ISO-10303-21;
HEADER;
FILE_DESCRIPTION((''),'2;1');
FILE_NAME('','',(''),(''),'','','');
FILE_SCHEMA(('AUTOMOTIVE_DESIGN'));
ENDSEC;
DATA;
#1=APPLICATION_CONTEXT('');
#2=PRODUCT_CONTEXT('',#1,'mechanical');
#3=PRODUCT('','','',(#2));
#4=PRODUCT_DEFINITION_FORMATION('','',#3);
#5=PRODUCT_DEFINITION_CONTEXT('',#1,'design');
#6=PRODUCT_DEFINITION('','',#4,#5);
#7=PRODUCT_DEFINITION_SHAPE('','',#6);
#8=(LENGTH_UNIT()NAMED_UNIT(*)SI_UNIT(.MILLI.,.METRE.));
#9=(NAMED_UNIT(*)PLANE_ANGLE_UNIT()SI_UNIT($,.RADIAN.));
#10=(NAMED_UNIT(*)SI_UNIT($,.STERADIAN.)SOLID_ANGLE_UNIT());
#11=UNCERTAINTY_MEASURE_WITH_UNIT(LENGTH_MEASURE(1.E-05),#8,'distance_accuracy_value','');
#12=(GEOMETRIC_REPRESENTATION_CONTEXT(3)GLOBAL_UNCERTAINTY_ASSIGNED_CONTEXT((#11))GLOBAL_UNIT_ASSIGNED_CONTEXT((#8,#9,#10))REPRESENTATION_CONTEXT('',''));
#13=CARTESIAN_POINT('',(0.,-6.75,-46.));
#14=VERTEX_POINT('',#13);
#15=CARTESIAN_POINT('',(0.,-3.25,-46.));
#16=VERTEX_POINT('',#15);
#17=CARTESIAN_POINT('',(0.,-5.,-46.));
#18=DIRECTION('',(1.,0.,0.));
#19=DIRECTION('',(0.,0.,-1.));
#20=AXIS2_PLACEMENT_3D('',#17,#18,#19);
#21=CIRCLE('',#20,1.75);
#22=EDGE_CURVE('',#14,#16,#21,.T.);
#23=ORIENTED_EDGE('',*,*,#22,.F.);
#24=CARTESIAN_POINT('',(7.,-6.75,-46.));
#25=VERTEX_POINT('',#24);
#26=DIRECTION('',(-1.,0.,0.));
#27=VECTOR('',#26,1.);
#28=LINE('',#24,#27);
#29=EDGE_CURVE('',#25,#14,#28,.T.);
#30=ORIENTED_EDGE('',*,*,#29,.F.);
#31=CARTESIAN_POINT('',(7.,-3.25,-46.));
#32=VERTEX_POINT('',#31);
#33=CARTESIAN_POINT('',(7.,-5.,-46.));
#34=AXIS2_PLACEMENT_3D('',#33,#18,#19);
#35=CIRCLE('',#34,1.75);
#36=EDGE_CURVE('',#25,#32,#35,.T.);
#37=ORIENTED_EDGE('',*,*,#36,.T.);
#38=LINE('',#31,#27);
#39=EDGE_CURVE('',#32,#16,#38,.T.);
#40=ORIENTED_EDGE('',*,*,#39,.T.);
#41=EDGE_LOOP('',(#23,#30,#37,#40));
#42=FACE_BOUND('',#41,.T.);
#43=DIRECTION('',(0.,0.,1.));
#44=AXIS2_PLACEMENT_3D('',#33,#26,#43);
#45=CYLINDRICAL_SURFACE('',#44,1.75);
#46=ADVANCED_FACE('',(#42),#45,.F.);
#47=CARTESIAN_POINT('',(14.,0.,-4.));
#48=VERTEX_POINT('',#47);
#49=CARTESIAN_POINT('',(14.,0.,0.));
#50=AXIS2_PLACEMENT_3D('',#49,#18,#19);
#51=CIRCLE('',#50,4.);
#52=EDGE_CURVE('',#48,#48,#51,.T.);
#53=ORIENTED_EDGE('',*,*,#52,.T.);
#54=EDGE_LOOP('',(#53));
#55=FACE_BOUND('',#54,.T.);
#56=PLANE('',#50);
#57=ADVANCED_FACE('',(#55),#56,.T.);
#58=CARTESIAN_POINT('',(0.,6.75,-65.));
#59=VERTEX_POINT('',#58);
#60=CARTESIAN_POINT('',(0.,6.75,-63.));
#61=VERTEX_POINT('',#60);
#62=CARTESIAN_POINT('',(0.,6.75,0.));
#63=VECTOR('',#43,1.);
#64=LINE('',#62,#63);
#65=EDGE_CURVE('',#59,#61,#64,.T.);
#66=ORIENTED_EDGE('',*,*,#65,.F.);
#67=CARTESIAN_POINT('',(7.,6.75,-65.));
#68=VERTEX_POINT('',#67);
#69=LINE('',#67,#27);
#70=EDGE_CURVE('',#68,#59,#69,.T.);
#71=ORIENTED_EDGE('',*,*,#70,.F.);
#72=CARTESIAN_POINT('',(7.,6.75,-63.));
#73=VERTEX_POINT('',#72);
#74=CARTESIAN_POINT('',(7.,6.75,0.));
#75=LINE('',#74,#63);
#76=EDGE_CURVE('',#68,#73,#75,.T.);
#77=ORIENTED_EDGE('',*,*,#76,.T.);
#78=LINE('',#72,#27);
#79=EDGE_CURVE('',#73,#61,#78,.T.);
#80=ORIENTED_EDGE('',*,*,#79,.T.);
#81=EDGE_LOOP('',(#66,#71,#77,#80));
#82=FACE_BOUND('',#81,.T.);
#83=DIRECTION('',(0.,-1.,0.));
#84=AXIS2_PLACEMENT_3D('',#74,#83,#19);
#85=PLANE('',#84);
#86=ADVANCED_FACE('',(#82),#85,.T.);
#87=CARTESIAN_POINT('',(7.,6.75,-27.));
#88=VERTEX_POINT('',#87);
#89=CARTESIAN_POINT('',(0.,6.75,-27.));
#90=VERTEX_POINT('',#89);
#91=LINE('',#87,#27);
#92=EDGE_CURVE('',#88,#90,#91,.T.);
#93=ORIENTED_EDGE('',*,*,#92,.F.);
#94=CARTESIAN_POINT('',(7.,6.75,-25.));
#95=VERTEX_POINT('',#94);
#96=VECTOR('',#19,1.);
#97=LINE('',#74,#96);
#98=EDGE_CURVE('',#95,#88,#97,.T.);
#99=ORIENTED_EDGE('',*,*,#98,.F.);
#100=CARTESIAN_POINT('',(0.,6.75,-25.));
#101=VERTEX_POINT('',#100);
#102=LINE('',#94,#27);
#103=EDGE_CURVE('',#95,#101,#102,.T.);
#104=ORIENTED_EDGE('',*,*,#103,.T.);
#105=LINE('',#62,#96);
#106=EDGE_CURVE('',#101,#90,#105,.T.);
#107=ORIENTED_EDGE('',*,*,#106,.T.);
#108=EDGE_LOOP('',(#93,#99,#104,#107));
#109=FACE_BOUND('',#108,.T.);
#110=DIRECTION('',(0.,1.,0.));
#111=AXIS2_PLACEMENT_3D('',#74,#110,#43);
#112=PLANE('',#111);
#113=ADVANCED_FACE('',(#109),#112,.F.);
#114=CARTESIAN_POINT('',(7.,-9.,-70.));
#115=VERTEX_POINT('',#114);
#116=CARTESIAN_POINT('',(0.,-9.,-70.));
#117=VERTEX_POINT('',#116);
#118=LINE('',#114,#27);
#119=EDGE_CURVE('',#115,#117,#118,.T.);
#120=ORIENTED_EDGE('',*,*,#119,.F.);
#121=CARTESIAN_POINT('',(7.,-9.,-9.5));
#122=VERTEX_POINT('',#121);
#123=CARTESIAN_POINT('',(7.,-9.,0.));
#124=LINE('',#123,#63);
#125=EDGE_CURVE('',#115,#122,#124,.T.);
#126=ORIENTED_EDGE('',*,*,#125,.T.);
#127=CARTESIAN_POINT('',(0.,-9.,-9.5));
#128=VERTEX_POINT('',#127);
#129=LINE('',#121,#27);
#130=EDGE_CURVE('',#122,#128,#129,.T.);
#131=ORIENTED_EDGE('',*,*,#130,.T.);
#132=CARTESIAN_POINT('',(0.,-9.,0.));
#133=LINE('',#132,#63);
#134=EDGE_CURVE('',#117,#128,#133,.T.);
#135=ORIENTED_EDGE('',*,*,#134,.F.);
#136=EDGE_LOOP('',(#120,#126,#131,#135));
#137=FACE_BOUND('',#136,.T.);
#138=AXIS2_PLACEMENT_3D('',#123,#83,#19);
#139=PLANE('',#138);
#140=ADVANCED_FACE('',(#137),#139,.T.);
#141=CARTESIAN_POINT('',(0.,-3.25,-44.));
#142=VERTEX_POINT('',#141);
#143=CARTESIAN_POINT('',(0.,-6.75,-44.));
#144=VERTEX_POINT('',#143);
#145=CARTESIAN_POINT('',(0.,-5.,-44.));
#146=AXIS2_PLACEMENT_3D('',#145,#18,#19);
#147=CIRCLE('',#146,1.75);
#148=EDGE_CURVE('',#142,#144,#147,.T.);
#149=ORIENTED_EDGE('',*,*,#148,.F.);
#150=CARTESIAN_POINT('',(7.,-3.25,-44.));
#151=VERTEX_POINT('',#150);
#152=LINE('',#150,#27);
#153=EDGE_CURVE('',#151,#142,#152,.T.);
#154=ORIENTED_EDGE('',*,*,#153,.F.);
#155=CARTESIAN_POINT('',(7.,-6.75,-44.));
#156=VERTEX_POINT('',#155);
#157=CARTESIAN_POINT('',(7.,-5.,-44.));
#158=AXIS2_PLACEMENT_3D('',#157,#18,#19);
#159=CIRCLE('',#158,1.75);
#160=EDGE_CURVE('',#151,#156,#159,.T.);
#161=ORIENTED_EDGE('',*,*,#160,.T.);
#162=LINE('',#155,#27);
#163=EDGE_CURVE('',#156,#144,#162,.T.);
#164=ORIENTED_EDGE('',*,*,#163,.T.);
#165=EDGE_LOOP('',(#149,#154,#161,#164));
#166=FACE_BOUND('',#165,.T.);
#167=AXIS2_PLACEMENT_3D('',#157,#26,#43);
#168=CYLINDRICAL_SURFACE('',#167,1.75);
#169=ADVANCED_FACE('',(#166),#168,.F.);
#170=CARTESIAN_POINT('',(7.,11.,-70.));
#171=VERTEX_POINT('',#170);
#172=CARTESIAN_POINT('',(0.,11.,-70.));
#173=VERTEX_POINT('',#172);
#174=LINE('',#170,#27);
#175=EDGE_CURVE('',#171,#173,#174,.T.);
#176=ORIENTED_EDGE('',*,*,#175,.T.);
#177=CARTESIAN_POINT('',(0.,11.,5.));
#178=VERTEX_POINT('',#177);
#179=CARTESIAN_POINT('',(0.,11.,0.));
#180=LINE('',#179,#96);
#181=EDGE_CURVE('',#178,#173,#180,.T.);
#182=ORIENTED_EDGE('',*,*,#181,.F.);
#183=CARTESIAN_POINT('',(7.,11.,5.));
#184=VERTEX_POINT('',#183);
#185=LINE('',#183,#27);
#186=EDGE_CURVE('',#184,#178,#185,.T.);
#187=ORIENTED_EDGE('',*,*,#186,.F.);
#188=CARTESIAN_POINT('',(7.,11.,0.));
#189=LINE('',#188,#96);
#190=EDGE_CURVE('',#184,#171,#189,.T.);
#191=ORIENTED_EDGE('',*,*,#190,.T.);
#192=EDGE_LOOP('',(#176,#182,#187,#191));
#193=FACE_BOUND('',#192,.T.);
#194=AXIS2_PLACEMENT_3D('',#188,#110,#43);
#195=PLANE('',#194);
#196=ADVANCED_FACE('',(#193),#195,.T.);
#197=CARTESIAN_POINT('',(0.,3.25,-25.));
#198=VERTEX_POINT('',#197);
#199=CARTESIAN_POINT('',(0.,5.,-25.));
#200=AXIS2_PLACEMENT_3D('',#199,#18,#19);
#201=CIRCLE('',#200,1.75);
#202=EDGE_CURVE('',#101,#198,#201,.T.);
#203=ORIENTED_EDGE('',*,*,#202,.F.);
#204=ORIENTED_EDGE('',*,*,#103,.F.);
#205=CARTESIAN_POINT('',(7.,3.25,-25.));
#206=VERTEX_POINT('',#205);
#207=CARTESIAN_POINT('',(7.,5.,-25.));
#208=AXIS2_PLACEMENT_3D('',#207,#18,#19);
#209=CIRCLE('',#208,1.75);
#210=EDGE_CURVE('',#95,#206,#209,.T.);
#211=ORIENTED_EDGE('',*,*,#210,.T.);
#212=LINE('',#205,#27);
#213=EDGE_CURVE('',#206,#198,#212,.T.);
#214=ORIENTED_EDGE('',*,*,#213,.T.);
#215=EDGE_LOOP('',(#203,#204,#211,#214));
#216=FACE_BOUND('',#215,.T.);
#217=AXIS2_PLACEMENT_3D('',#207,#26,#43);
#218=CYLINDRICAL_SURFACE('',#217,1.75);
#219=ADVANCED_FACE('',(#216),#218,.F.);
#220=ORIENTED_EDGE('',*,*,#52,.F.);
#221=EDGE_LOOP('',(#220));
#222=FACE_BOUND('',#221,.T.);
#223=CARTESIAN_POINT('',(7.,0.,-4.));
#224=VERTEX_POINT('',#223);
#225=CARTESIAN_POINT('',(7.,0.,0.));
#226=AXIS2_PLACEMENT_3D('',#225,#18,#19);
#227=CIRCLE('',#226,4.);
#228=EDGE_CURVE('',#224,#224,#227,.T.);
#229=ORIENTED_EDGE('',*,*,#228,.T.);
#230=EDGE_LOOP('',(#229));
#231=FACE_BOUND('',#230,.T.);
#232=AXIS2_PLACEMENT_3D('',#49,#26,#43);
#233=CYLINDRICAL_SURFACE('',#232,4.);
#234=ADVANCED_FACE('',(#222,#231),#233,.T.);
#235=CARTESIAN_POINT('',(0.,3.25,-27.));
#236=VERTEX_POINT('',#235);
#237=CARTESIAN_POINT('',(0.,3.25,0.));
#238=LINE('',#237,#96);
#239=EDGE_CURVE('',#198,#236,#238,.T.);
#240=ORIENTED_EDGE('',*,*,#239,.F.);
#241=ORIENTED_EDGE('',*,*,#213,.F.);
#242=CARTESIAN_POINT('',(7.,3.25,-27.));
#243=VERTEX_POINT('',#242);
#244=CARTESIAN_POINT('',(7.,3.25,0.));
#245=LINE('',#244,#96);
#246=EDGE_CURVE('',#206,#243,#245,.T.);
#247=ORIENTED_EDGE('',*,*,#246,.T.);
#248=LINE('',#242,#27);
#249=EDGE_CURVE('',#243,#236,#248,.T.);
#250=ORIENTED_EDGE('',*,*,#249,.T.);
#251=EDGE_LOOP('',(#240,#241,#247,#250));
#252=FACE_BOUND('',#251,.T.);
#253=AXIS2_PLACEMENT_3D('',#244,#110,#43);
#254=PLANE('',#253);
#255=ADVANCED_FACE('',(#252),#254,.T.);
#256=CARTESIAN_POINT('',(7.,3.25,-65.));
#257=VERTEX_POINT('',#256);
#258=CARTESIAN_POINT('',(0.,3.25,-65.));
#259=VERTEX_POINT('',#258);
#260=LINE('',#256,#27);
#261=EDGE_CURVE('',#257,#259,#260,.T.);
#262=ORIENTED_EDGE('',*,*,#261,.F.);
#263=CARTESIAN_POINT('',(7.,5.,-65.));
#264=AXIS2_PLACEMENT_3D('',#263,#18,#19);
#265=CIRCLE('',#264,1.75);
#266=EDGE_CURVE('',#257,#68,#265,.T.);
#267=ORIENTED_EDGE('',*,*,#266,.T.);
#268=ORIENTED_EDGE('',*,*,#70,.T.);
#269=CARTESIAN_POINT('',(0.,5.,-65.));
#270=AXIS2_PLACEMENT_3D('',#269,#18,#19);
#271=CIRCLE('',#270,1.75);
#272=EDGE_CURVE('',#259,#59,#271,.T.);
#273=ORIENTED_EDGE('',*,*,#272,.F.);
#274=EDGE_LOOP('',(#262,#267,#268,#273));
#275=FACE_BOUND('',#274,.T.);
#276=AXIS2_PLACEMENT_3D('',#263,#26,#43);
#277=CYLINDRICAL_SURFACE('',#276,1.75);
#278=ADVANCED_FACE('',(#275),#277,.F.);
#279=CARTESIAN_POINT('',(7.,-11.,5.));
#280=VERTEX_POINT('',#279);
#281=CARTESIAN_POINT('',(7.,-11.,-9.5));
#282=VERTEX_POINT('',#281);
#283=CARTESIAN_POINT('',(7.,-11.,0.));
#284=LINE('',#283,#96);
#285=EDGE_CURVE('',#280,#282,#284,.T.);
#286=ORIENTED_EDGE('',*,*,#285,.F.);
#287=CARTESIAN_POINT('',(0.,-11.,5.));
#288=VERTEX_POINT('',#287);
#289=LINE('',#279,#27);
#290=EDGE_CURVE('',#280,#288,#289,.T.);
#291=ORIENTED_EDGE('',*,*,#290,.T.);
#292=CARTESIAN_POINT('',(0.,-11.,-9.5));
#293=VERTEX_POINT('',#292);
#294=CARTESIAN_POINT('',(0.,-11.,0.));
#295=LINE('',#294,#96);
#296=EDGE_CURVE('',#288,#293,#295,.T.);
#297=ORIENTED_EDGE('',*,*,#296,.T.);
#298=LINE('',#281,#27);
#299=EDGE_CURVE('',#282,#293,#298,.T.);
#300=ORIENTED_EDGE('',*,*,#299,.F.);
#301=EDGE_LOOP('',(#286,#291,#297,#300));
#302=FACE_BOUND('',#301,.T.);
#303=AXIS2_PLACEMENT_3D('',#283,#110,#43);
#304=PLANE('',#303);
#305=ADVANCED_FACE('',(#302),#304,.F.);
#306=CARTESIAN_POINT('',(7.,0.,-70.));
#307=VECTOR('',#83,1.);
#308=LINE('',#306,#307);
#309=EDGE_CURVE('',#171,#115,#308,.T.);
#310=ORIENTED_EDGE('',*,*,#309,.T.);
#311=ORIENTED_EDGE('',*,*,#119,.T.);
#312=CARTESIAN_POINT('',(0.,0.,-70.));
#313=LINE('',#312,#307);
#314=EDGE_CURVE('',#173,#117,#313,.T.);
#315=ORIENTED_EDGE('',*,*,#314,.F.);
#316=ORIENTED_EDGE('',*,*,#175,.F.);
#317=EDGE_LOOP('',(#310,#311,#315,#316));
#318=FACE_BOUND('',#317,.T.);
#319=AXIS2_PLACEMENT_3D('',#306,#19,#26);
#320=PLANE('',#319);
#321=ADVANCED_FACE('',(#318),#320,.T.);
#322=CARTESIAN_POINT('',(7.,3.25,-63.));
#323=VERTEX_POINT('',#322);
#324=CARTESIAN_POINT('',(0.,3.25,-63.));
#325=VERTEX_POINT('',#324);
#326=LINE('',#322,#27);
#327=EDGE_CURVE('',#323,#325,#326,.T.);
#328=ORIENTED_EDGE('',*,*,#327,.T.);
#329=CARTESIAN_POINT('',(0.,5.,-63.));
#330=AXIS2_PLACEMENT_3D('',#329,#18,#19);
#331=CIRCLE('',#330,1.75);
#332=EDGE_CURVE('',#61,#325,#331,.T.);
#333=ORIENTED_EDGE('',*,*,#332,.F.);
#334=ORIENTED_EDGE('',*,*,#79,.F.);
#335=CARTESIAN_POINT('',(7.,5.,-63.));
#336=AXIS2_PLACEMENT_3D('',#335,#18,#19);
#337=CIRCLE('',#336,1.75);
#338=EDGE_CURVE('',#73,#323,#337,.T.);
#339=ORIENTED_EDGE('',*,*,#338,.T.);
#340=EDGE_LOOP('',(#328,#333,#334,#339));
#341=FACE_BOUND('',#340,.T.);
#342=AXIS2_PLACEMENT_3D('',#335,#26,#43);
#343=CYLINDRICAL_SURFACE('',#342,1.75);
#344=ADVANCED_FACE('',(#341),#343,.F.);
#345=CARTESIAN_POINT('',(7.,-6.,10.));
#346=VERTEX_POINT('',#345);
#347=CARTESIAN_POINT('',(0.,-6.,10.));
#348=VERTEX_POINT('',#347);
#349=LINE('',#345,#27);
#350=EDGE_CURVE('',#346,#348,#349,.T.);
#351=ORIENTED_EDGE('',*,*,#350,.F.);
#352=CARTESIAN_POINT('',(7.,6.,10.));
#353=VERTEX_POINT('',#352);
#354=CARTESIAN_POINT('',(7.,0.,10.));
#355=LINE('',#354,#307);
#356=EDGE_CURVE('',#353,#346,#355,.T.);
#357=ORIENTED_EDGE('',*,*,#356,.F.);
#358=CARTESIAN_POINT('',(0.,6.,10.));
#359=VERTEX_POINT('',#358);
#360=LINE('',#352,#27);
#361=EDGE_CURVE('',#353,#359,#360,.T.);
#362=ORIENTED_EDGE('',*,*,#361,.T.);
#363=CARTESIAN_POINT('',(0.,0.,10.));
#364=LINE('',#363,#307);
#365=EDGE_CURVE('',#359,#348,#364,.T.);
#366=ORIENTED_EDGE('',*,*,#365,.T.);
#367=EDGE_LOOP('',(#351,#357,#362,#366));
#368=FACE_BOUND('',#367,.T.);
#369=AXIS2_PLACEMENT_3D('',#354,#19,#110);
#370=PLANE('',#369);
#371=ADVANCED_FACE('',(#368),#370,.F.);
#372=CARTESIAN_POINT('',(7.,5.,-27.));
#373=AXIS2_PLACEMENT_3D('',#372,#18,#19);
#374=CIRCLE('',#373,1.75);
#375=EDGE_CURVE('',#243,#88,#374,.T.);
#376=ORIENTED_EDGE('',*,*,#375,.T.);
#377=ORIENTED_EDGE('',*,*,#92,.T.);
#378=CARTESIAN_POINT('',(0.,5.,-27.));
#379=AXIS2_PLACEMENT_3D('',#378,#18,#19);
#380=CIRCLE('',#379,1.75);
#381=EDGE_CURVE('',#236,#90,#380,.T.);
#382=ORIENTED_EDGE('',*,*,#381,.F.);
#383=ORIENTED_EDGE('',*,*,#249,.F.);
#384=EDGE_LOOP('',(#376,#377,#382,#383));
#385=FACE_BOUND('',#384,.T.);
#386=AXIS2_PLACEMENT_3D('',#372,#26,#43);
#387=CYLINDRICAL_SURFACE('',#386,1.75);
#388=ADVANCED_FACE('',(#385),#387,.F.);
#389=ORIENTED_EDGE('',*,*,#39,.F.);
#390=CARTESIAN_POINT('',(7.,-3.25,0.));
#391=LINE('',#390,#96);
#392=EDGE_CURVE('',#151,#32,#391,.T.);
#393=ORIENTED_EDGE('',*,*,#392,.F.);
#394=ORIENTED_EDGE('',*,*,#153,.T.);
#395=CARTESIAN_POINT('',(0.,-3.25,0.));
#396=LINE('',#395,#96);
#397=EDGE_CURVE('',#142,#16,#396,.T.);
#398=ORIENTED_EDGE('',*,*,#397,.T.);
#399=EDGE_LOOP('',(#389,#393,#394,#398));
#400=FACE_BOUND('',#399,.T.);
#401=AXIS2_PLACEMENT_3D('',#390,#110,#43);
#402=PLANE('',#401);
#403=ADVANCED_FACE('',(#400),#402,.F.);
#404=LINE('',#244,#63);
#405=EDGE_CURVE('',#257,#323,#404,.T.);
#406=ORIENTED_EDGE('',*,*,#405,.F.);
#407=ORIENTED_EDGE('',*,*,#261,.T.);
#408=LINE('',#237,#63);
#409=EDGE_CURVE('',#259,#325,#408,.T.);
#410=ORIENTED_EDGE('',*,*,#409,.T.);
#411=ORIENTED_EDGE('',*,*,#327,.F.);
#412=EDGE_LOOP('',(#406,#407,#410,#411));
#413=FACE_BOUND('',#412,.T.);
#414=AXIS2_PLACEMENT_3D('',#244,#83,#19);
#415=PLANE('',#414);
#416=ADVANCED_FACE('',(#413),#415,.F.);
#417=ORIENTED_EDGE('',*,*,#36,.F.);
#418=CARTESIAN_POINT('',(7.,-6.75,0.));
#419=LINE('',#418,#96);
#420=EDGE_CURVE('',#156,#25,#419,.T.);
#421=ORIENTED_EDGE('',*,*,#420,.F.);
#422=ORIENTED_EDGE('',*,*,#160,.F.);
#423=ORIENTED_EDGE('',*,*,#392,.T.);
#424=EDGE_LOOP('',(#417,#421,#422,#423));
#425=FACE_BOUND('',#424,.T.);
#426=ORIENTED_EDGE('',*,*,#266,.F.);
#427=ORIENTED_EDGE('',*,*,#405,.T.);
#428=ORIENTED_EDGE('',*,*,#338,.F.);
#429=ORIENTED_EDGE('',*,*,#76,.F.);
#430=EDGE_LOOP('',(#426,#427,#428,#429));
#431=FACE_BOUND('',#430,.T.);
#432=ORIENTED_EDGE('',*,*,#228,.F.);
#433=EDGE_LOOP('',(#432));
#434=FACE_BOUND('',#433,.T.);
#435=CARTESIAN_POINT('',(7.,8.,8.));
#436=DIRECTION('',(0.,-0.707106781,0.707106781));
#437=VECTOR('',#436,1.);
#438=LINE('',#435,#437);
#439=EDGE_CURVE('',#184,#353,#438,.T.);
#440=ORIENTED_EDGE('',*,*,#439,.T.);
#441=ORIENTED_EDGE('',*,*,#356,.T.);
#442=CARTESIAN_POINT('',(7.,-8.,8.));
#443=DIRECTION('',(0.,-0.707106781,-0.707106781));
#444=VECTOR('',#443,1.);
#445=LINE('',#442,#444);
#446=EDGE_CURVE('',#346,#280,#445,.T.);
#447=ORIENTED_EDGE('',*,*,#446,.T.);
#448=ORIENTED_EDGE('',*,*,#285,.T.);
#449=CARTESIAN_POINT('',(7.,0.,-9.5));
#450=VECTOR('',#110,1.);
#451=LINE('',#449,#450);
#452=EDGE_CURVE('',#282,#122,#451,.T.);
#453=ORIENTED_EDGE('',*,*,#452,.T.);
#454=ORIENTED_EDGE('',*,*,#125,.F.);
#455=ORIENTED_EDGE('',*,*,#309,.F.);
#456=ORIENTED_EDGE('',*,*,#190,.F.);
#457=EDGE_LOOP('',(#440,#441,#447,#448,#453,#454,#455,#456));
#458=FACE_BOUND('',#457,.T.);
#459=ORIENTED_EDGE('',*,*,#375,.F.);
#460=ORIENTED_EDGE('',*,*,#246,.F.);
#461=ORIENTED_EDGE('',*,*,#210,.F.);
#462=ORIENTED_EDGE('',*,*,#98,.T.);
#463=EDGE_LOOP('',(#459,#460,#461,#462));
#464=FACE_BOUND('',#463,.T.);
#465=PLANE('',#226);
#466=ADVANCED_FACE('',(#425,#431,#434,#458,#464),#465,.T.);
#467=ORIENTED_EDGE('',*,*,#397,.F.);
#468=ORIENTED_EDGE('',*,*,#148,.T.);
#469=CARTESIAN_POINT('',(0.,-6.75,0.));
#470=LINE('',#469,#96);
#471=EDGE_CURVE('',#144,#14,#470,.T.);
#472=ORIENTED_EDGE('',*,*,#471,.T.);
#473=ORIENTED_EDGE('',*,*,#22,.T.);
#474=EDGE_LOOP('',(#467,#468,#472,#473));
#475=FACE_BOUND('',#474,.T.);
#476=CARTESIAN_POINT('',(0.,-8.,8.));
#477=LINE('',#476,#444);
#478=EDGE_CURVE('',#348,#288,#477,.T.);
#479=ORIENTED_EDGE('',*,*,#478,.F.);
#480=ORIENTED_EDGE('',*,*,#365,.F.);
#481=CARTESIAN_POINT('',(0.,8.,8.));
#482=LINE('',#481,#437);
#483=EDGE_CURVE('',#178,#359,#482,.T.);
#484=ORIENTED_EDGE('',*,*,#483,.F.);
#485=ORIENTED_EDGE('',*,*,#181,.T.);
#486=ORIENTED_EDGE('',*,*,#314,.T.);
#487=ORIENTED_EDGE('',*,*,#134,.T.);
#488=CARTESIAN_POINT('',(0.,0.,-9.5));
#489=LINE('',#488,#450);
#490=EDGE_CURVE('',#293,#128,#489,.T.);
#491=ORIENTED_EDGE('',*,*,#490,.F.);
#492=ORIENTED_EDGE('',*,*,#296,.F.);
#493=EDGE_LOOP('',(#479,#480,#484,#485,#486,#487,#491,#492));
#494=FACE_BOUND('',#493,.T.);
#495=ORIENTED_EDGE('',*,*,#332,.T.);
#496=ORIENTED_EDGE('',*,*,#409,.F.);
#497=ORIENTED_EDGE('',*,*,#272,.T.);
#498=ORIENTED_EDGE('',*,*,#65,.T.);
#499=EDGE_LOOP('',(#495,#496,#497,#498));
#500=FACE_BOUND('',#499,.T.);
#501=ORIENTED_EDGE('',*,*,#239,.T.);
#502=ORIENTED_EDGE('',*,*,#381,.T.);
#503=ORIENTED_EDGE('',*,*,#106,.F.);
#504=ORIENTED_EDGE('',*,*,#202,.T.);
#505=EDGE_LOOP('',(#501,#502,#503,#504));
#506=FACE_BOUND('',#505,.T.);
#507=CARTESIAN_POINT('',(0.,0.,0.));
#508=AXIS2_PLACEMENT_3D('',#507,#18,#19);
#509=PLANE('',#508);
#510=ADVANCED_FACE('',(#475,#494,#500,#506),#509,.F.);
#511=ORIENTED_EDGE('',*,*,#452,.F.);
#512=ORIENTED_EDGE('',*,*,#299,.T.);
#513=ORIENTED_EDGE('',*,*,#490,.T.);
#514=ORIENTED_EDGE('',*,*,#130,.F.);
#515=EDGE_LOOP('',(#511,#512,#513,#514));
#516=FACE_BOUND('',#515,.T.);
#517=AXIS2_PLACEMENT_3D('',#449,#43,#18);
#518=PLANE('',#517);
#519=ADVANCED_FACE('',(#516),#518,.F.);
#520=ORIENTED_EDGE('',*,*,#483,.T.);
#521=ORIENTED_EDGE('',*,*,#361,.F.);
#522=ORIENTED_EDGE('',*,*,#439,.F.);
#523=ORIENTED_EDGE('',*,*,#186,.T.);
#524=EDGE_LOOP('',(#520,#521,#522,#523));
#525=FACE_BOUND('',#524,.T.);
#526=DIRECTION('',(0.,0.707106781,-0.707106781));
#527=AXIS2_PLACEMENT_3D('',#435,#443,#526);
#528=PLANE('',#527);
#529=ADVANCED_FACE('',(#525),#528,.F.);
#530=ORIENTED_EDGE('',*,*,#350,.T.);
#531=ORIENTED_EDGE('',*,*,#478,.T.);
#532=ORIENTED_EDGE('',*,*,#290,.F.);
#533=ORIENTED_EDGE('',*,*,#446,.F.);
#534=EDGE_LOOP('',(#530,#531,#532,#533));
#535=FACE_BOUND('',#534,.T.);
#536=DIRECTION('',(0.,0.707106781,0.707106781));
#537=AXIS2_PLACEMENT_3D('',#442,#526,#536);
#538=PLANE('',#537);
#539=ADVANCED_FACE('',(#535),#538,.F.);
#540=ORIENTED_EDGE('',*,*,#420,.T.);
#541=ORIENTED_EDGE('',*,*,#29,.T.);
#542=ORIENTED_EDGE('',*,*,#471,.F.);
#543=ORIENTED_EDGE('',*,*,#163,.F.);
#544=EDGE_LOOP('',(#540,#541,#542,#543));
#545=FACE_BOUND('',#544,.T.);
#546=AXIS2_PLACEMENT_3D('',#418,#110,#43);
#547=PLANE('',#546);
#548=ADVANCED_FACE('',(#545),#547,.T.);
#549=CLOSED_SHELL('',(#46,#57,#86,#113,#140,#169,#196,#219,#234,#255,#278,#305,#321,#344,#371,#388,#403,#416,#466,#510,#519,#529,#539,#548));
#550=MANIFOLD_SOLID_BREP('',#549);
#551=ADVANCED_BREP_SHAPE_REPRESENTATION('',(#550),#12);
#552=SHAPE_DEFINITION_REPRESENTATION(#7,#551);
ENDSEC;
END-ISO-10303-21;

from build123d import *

# Parameters (mm, degrees)
SKETCH1_R           = 4
BOSS_EXTRUDE1_DEPTH = 7
BOSS_EXTRUDE2_START = 7
SKETCH1_4_R         = 4
BOSS_EXTRUDE2_DEPTH = 7


with BuildPart() as part:
    # Sketch1 → Boss-Extrude1 (new body)
    # profile 1 of 2: a face of its own
    with BuildSketch(Plane(origin=(0, 0, 0), x_dir=(0, 0, -1), z_dir=(1, 0, 0))):
        Polygon((-10, 6), (-10, -6), (-5, -11), (9.5, -11), (9.5, -9), (70, -9), (70, 11), (-5, 11), align=None)
        Circle(SKETCH1_R, mode=Mode.SUBTRACT)
        with BuildLine():
            ThreePointArc((63, 6.75), (61.25, 5), (63, 3.25))
            Line((63, 3.25), (65, 3.25))
            ThreePointArc((65, 3.25), (66.75, 5), (65, 6.75))
            Line((65, 6.75), (63, 6.75))
        make_face(mode=Mode.SUBTRACT)
        with BuildLine():
            ThreePointArc((46, -6.75), (47.75, -5), (46, -3.25))
            Line((46, -3.25), (44, -3.25))
            ThreePointArc((44, -3.25), (42.25, -5), (44, -6.75))
            Line((44, -6.75), (46, -6.75))
        make_face(mode=Mode.SUBTRACT)
        with BuildLine():
            ThreePointArc((27, 3.25), (28.75, 5), (27, 6.75))
            Line((27, 6.75), (25, 6.75))
            ThreePointArc((25, 6.75), (23.25, 5), (25, 3.25))
            Line((25, 3.25), (27, 3.25))
        make_face(mode=Mode.SUBTRACT)
    # profile 2 of 2: a face of its own
    with BuildSketch(Plane(origin=(0, 0, 0), x_dir=(0, 0, -1), z_dir=(1, 0, 0))):
        Circle(SKETCH1_R)
    extrude(amount=BOSS_EXTRUDE1_DEPTH)

    # Sketch1<4> → Boss-Extrude2 (add)
    with BuildSketch(Plane(origin=(0, 0, 0), x_dir=(0, 0, -1), z_dir=(1, 0, 0)).offset(BOSS_EXTRUDE2_START)):
        Circle(SKETCH1_4_R)
    extrude(amount=BOSS_EXTRUDE2_DEPTH)


solid = part.part
